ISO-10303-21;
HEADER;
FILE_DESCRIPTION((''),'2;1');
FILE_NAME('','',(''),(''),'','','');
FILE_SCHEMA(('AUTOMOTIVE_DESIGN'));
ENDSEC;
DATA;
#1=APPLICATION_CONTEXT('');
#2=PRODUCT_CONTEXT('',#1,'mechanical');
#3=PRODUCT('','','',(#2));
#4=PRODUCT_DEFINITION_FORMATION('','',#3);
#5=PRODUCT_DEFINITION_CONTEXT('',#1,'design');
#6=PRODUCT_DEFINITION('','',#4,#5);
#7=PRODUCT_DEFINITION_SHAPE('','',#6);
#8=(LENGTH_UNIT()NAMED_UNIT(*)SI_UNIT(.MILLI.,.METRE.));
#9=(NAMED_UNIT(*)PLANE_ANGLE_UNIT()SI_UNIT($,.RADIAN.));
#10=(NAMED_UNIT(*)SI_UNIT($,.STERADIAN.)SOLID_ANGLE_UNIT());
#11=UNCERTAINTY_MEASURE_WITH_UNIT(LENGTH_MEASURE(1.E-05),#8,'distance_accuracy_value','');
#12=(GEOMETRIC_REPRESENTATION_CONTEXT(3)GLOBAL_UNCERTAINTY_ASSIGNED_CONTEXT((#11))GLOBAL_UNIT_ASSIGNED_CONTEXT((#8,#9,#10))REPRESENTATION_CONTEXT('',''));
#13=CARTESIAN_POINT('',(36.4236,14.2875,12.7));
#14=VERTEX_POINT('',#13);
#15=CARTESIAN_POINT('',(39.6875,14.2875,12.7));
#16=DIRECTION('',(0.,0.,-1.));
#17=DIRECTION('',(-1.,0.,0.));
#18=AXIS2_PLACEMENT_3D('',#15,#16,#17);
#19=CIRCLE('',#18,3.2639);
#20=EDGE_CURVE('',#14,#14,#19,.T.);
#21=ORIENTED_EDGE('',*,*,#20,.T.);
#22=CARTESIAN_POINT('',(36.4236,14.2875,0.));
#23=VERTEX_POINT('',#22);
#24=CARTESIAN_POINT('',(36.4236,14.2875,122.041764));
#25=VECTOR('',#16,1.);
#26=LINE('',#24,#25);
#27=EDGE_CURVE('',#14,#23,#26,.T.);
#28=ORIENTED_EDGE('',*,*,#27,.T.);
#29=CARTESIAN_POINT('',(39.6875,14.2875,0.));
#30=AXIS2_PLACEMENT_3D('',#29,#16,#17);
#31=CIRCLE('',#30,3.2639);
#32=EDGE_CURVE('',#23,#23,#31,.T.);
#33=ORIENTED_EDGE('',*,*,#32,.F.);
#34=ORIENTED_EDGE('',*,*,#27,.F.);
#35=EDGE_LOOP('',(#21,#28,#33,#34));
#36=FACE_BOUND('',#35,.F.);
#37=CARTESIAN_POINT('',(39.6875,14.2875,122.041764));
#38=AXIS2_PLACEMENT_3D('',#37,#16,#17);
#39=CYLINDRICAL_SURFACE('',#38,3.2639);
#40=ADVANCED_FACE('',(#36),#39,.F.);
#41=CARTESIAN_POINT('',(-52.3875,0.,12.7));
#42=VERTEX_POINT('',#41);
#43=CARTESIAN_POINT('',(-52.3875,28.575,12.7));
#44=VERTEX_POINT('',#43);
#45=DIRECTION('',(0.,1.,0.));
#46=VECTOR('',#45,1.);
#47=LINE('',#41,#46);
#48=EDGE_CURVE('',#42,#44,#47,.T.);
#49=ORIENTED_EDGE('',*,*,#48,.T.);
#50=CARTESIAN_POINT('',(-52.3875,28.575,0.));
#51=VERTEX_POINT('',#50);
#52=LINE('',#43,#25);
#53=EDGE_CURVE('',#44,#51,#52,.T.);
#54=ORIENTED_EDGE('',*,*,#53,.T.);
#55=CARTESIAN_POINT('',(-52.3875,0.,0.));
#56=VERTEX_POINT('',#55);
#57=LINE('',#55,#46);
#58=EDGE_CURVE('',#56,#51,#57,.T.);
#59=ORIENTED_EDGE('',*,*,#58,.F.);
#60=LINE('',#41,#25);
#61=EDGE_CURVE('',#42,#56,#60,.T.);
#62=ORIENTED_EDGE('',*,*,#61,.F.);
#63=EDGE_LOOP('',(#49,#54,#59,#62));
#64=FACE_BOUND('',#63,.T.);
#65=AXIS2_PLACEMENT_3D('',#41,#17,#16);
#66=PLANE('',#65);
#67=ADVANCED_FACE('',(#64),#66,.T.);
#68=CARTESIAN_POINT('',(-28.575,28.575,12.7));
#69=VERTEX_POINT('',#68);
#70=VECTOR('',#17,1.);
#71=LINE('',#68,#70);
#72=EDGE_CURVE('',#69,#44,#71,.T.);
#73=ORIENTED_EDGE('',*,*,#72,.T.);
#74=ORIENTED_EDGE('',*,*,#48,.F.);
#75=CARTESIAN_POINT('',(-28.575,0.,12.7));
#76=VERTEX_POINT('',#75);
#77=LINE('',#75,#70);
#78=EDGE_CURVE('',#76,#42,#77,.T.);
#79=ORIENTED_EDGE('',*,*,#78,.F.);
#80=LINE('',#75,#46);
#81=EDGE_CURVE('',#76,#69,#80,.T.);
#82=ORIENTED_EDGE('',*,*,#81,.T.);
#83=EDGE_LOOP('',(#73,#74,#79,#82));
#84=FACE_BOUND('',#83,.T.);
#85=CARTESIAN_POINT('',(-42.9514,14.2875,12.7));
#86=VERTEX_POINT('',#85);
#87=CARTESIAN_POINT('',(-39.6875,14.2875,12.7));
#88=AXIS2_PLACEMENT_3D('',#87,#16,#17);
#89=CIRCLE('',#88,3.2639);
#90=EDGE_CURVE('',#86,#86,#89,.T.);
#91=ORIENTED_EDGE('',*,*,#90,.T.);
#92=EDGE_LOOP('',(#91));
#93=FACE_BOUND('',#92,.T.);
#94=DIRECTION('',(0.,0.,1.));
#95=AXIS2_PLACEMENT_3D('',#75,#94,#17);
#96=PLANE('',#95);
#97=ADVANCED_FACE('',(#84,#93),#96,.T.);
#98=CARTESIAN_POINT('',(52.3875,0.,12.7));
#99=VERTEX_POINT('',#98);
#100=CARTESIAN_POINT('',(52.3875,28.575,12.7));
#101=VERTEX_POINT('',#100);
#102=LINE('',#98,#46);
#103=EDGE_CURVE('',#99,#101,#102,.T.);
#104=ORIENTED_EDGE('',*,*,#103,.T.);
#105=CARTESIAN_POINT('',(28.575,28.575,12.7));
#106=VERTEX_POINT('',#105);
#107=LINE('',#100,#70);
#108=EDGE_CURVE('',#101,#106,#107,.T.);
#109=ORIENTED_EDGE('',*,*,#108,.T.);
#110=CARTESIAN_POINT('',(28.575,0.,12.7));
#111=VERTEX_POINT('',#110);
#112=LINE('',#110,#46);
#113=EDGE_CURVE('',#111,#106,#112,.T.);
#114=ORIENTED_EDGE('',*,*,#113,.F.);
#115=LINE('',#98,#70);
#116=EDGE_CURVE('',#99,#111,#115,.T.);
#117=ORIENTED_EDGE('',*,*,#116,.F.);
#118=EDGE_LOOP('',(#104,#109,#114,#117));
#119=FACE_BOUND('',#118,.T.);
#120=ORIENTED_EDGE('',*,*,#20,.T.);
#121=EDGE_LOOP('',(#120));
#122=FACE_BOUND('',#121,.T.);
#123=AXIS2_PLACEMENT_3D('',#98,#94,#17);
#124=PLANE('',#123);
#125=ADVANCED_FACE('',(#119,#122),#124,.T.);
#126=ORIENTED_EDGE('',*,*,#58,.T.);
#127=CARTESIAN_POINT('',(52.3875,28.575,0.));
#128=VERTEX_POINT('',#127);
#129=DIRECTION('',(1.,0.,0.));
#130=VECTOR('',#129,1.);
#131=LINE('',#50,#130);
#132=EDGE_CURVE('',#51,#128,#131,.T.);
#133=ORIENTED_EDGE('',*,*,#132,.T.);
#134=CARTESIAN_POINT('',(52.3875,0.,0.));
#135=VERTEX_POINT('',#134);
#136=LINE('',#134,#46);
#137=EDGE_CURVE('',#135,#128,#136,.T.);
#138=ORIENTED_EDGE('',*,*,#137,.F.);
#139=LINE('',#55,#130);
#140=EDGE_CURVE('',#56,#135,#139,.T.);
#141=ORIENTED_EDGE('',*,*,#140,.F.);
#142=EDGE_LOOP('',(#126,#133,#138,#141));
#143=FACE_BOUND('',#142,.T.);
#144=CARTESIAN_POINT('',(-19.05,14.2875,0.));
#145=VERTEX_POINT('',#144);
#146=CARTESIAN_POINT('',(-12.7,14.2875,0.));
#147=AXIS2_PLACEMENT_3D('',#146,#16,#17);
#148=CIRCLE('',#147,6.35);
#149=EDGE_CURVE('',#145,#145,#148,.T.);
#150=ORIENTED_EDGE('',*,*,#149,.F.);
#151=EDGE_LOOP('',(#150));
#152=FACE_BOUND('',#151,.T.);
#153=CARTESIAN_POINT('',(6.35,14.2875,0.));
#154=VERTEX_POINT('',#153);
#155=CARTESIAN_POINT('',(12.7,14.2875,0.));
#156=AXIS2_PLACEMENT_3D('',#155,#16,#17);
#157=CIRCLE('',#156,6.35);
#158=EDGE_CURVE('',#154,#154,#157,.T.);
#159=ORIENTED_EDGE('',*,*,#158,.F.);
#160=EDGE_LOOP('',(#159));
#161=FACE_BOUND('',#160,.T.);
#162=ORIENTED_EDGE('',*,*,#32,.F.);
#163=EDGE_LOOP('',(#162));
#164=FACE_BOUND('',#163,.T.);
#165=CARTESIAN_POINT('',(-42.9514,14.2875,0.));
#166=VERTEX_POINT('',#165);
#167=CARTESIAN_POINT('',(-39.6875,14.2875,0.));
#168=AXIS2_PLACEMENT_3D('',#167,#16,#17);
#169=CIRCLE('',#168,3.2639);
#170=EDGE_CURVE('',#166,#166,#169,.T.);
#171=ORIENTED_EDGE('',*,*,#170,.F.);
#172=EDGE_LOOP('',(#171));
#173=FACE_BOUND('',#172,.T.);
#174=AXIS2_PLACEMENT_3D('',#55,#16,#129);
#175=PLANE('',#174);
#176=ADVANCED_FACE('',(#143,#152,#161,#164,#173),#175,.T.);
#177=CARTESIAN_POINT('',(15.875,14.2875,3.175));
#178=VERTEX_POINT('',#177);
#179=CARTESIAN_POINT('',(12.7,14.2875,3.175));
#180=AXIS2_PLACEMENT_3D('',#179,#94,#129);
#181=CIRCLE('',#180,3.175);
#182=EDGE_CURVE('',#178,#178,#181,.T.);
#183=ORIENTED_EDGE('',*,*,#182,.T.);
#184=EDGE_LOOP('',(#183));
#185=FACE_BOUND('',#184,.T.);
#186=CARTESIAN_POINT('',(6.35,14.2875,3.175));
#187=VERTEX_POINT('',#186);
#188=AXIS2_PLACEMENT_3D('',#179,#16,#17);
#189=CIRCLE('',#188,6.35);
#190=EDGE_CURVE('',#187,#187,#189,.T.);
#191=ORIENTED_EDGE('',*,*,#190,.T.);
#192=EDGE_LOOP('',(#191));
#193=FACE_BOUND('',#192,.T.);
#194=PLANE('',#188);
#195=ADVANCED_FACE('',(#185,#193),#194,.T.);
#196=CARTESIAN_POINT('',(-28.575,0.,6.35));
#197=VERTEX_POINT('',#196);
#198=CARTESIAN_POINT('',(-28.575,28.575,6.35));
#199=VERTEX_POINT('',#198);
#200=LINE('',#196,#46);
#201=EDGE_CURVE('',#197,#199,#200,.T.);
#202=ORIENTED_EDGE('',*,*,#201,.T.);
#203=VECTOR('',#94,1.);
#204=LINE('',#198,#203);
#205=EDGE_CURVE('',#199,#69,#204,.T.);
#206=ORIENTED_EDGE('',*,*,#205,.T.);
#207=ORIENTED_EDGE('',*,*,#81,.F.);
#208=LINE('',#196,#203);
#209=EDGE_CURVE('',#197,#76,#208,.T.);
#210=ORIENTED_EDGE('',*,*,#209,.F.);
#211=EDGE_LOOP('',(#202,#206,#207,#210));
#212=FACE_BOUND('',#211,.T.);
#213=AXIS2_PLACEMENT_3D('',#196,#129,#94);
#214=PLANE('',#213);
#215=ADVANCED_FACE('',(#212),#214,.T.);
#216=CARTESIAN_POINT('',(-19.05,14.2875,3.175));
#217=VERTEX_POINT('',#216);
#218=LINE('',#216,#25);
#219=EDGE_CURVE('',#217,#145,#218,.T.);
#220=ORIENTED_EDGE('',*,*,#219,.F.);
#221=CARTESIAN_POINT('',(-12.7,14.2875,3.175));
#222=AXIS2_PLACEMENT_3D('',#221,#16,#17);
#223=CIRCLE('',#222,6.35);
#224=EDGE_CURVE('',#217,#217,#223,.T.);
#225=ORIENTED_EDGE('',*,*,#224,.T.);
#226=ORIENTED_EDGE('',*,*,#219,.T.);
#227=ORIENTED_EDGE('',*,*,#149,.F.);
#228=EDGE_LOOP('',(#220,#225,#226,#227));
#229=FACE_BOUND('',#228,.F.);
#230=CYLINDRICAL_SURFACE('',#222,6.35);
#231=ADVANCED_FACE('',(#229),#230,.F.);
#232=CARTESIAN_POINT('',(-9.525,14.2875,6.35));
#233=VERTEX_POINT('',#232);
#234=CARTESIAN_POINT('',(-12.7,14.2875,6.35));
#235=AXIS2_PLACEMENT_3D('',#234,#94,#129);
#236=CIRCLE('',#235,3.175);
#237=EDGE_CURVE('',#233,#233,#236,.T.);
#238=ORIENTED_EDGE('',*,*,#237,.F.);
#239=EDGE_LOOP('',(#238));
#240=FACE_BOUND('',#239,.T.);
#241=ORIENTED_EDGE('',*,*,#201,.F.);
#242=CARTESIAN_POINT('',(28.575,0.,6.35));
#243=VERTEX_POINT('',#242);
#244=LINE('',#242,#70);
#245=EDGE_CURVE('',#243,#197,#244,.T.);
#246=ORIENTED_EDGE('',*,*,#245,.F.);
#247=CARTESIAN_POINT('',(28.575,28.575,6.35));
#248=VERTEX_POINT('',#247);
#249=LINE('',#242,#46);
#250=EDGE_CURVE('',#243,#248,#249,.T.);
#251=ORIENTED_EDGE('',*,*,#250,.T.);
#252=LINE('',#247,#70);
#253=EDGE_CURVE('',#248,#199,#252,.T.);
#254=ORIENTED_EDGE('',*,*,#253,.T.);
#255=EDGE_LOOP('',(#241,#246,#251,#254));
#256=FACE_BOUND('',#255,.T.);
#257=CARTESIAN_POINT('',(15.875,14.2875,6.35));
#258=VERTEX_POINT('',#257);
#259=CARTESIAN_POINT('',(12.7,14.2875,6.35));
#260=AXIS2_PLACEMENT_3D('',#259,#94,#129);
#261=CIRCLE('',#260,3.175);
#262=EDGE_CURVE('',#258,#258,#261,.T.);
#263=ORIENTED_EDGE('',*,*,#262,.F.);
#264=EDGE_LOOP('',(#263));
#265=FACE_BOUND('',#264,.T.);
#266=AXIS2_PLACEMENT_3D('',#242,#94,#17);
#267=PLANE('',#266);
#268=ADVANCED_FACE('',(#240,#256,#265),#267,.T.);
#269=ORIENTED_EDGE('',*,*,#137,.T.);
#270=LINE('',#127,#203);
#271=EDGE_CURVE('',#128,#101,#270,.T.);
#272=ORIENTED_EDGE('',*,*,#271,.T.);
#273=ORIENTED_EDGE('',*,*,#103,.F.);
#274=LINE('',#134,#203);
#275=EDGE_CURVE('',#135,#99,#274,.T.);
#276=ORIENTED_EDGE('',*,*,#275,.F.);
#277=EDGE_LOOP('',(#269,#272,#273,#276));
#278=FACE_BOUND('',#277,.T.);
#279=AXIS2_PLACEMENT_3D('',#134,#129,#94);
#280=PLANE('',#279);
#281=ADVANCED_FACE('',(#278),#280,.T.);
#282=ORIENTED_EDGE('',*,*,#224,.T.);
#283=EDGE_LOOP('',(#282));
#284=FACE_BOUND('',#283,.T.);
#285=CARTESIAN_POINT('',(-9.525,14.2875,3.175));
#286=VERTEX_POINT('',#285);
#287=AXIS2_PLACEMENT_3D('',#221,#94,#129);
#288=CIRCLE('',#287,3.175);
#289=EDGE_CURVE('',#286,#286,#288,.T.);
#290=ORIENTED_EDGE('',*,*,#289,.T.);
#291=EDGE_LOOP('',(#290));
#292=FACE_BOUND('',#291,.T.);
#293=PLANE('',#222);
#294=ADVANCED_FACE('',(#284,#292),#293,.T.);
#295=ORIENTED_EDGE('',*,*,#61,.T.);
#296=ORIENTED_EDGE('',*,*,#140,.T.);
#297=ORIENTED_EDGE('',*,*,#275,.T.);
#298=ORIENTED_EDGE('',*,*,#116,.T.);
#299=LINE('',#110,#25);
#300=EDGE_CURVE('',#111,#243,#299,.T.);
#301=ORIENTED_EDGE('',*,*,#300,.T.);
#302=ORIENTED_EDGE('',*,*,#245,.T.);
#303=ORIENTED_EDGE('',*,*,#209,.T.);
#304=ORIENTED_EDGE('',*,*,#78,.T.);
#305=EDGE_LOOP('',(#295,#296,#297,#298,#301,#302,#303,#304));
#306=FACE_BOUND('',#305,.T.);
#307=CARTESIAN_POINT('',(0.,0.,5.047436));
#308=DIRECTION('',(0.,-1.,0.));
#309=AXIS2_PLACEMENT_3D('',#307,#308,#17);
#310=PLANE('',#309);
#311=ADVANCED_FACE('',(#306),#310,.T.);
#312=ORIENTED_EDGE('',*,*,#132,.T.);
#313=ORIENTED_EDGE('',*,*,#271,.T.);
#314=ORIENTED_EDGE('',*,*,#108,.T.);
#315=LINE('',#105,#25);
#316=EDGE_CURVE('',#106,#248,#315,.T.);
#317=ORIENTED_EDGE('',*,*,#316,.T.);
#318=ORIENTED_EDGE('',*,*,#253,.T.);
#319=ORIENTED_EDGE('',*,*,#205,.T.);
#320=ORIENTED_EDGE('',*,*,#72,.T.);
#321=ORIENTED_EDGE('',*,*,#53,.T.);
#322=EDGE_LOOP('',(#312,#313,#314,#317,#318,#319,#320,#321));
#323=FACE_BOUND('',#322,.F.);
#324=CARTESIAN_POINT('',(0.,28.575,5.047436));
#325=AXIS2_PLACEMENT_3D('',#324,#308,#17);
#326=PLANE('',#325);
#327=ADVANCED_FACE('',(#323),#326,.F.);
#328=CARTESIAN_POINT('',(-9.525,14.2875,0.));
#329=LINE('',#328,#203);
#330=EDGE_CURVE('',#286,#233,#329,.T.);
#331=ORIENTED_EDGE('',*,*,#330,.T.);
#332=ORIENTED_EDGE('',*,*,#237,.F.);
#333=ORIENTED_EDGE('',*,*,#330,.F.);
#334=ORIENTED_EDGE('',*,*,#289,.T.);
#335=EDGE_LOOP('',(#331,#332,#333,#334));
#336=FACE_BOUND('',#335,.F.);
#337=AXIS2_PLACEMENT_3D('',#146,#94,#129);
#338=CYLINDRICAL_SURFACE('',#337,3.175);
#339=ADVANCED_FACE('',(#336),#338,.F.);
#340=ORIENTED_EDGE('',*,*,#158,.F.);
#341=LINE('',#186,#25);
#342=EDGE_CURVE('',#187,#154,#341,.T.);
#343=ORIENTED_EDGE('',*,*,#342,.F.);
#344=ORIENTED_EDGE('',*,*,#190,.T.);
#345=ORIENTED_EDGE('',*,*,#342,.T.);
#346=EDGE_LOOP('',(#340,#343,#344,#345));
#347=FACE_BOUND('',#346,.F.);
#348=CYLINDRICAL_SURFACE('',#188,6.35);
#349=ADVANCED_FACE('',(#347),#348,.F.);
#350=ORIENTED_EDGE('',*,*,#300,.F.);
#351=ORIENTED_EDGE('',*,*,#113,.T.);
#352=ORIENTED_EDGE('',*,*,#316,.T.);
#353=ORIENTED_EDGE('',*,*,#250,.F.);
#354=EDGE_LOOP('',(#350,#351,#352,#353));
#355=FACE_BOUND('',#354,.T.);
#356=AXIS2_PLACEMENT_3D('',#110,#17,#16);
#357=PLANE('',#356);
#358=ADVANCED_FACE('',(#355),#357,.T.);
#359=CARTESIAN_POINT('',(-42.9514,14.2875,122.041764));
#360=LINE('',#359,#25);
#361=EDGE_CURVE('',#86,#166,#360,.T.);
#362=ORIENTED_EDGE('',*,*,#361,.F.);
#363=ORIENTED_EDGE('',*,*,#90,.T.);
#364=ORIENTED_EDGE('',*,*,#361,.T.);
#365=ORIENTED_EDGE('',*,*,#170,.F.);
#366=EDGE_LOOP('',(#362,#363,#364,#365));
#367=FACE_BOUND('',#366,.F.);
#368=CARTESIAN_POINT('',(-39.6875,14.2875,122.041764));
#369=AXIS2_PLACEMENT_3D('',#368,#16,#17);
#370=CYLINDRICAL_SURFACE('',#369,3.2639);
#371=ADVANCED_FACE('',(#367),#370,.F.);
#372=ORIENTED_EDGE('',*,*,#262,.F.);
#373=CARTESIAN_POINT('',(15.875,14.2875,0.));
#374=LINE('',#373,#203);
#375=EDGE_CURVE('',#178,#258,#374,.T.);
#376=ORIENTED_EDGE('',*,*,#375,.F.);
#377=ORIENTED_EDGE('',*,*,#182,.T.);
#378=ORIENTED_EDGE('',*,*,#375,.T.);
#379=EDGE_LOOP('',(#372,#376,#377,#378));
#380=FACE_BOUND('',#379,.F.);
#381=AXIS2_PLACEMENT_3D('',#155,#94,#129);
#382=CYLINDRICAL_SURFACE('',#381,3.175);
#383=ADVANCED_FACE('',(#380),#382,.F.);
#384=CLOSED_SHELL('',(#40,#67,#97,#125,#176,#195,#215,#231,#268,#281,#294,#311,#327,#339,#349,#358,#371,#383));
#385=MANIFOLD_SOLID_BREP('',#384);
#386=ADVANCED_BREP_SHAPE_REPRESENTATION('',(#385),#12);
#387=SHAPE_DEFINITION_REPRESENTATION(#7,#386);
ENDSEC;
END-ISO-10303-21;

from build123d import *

# Parameters (mm, degrees)
BOSS_EXTRUDE1_DEPTH      = 28.575
HOLE1_D                  = 6.35
HOLE1_DEPTH              = 12.7
HOLE1_CBORE_D            = 12.7
HOLE1_CBORE_DEPTH        = 3.175
HOLE1_TIP                = 1.907732465
F_5_16_18_TAPPED_HOLE1_D = 6.5278


with BuildPart() as part:
    # Sketch1 → Boss-Extrude1 (new body)
    with BuildSketch(Plane(origin=(0, 0, 0), x_dir=(1, 0, 0), z_dir=(0, 1, 0))):
        Polygon((-52.3875, 0), (52.3875, 0), (52.3875, -12.7), (28.575, -12.7), (28.575, -6.35), (-28.575, -6.35), (-28.575, -12.7), (-52.3875, -12.7), align=None)
    extrude(amount=BOSS_EXTRUDE1_DEPTH)

    # Hole1
    with Locations(Plane(origin=(0, 0, 0), x_dir=(-1, 0, 0), z_dir=(0, 0, -1))):
        with Locations((-12.7, 14.2875), (12.7, 14.2875)):
            CounterBoreHole(HOLE1_D / 2, HOLE1_CBORE_D / 2, HOLE1_CBORE_DEPTH, depth=HOLE1_DEPTH)
            with Locations((0, 0, -(HOLE1_DEPTH + HOLE1_TIP / 2))):  # 118° drill point
                Cone(0, HOLE1_D / 2, HOLE1_TIP, mode=Mode.SUBTRACT)

    # 5/16-18 Tapped Hole1 (through all)
    with Locations(Plane.XY.offset(12.7)):
        with Locations((-39.6875, 14.2875), (39.6875, 14.2875)):
            Hole(F_5_16_18_TAPPED_HOLE1_D / 2)


solid = part.part
